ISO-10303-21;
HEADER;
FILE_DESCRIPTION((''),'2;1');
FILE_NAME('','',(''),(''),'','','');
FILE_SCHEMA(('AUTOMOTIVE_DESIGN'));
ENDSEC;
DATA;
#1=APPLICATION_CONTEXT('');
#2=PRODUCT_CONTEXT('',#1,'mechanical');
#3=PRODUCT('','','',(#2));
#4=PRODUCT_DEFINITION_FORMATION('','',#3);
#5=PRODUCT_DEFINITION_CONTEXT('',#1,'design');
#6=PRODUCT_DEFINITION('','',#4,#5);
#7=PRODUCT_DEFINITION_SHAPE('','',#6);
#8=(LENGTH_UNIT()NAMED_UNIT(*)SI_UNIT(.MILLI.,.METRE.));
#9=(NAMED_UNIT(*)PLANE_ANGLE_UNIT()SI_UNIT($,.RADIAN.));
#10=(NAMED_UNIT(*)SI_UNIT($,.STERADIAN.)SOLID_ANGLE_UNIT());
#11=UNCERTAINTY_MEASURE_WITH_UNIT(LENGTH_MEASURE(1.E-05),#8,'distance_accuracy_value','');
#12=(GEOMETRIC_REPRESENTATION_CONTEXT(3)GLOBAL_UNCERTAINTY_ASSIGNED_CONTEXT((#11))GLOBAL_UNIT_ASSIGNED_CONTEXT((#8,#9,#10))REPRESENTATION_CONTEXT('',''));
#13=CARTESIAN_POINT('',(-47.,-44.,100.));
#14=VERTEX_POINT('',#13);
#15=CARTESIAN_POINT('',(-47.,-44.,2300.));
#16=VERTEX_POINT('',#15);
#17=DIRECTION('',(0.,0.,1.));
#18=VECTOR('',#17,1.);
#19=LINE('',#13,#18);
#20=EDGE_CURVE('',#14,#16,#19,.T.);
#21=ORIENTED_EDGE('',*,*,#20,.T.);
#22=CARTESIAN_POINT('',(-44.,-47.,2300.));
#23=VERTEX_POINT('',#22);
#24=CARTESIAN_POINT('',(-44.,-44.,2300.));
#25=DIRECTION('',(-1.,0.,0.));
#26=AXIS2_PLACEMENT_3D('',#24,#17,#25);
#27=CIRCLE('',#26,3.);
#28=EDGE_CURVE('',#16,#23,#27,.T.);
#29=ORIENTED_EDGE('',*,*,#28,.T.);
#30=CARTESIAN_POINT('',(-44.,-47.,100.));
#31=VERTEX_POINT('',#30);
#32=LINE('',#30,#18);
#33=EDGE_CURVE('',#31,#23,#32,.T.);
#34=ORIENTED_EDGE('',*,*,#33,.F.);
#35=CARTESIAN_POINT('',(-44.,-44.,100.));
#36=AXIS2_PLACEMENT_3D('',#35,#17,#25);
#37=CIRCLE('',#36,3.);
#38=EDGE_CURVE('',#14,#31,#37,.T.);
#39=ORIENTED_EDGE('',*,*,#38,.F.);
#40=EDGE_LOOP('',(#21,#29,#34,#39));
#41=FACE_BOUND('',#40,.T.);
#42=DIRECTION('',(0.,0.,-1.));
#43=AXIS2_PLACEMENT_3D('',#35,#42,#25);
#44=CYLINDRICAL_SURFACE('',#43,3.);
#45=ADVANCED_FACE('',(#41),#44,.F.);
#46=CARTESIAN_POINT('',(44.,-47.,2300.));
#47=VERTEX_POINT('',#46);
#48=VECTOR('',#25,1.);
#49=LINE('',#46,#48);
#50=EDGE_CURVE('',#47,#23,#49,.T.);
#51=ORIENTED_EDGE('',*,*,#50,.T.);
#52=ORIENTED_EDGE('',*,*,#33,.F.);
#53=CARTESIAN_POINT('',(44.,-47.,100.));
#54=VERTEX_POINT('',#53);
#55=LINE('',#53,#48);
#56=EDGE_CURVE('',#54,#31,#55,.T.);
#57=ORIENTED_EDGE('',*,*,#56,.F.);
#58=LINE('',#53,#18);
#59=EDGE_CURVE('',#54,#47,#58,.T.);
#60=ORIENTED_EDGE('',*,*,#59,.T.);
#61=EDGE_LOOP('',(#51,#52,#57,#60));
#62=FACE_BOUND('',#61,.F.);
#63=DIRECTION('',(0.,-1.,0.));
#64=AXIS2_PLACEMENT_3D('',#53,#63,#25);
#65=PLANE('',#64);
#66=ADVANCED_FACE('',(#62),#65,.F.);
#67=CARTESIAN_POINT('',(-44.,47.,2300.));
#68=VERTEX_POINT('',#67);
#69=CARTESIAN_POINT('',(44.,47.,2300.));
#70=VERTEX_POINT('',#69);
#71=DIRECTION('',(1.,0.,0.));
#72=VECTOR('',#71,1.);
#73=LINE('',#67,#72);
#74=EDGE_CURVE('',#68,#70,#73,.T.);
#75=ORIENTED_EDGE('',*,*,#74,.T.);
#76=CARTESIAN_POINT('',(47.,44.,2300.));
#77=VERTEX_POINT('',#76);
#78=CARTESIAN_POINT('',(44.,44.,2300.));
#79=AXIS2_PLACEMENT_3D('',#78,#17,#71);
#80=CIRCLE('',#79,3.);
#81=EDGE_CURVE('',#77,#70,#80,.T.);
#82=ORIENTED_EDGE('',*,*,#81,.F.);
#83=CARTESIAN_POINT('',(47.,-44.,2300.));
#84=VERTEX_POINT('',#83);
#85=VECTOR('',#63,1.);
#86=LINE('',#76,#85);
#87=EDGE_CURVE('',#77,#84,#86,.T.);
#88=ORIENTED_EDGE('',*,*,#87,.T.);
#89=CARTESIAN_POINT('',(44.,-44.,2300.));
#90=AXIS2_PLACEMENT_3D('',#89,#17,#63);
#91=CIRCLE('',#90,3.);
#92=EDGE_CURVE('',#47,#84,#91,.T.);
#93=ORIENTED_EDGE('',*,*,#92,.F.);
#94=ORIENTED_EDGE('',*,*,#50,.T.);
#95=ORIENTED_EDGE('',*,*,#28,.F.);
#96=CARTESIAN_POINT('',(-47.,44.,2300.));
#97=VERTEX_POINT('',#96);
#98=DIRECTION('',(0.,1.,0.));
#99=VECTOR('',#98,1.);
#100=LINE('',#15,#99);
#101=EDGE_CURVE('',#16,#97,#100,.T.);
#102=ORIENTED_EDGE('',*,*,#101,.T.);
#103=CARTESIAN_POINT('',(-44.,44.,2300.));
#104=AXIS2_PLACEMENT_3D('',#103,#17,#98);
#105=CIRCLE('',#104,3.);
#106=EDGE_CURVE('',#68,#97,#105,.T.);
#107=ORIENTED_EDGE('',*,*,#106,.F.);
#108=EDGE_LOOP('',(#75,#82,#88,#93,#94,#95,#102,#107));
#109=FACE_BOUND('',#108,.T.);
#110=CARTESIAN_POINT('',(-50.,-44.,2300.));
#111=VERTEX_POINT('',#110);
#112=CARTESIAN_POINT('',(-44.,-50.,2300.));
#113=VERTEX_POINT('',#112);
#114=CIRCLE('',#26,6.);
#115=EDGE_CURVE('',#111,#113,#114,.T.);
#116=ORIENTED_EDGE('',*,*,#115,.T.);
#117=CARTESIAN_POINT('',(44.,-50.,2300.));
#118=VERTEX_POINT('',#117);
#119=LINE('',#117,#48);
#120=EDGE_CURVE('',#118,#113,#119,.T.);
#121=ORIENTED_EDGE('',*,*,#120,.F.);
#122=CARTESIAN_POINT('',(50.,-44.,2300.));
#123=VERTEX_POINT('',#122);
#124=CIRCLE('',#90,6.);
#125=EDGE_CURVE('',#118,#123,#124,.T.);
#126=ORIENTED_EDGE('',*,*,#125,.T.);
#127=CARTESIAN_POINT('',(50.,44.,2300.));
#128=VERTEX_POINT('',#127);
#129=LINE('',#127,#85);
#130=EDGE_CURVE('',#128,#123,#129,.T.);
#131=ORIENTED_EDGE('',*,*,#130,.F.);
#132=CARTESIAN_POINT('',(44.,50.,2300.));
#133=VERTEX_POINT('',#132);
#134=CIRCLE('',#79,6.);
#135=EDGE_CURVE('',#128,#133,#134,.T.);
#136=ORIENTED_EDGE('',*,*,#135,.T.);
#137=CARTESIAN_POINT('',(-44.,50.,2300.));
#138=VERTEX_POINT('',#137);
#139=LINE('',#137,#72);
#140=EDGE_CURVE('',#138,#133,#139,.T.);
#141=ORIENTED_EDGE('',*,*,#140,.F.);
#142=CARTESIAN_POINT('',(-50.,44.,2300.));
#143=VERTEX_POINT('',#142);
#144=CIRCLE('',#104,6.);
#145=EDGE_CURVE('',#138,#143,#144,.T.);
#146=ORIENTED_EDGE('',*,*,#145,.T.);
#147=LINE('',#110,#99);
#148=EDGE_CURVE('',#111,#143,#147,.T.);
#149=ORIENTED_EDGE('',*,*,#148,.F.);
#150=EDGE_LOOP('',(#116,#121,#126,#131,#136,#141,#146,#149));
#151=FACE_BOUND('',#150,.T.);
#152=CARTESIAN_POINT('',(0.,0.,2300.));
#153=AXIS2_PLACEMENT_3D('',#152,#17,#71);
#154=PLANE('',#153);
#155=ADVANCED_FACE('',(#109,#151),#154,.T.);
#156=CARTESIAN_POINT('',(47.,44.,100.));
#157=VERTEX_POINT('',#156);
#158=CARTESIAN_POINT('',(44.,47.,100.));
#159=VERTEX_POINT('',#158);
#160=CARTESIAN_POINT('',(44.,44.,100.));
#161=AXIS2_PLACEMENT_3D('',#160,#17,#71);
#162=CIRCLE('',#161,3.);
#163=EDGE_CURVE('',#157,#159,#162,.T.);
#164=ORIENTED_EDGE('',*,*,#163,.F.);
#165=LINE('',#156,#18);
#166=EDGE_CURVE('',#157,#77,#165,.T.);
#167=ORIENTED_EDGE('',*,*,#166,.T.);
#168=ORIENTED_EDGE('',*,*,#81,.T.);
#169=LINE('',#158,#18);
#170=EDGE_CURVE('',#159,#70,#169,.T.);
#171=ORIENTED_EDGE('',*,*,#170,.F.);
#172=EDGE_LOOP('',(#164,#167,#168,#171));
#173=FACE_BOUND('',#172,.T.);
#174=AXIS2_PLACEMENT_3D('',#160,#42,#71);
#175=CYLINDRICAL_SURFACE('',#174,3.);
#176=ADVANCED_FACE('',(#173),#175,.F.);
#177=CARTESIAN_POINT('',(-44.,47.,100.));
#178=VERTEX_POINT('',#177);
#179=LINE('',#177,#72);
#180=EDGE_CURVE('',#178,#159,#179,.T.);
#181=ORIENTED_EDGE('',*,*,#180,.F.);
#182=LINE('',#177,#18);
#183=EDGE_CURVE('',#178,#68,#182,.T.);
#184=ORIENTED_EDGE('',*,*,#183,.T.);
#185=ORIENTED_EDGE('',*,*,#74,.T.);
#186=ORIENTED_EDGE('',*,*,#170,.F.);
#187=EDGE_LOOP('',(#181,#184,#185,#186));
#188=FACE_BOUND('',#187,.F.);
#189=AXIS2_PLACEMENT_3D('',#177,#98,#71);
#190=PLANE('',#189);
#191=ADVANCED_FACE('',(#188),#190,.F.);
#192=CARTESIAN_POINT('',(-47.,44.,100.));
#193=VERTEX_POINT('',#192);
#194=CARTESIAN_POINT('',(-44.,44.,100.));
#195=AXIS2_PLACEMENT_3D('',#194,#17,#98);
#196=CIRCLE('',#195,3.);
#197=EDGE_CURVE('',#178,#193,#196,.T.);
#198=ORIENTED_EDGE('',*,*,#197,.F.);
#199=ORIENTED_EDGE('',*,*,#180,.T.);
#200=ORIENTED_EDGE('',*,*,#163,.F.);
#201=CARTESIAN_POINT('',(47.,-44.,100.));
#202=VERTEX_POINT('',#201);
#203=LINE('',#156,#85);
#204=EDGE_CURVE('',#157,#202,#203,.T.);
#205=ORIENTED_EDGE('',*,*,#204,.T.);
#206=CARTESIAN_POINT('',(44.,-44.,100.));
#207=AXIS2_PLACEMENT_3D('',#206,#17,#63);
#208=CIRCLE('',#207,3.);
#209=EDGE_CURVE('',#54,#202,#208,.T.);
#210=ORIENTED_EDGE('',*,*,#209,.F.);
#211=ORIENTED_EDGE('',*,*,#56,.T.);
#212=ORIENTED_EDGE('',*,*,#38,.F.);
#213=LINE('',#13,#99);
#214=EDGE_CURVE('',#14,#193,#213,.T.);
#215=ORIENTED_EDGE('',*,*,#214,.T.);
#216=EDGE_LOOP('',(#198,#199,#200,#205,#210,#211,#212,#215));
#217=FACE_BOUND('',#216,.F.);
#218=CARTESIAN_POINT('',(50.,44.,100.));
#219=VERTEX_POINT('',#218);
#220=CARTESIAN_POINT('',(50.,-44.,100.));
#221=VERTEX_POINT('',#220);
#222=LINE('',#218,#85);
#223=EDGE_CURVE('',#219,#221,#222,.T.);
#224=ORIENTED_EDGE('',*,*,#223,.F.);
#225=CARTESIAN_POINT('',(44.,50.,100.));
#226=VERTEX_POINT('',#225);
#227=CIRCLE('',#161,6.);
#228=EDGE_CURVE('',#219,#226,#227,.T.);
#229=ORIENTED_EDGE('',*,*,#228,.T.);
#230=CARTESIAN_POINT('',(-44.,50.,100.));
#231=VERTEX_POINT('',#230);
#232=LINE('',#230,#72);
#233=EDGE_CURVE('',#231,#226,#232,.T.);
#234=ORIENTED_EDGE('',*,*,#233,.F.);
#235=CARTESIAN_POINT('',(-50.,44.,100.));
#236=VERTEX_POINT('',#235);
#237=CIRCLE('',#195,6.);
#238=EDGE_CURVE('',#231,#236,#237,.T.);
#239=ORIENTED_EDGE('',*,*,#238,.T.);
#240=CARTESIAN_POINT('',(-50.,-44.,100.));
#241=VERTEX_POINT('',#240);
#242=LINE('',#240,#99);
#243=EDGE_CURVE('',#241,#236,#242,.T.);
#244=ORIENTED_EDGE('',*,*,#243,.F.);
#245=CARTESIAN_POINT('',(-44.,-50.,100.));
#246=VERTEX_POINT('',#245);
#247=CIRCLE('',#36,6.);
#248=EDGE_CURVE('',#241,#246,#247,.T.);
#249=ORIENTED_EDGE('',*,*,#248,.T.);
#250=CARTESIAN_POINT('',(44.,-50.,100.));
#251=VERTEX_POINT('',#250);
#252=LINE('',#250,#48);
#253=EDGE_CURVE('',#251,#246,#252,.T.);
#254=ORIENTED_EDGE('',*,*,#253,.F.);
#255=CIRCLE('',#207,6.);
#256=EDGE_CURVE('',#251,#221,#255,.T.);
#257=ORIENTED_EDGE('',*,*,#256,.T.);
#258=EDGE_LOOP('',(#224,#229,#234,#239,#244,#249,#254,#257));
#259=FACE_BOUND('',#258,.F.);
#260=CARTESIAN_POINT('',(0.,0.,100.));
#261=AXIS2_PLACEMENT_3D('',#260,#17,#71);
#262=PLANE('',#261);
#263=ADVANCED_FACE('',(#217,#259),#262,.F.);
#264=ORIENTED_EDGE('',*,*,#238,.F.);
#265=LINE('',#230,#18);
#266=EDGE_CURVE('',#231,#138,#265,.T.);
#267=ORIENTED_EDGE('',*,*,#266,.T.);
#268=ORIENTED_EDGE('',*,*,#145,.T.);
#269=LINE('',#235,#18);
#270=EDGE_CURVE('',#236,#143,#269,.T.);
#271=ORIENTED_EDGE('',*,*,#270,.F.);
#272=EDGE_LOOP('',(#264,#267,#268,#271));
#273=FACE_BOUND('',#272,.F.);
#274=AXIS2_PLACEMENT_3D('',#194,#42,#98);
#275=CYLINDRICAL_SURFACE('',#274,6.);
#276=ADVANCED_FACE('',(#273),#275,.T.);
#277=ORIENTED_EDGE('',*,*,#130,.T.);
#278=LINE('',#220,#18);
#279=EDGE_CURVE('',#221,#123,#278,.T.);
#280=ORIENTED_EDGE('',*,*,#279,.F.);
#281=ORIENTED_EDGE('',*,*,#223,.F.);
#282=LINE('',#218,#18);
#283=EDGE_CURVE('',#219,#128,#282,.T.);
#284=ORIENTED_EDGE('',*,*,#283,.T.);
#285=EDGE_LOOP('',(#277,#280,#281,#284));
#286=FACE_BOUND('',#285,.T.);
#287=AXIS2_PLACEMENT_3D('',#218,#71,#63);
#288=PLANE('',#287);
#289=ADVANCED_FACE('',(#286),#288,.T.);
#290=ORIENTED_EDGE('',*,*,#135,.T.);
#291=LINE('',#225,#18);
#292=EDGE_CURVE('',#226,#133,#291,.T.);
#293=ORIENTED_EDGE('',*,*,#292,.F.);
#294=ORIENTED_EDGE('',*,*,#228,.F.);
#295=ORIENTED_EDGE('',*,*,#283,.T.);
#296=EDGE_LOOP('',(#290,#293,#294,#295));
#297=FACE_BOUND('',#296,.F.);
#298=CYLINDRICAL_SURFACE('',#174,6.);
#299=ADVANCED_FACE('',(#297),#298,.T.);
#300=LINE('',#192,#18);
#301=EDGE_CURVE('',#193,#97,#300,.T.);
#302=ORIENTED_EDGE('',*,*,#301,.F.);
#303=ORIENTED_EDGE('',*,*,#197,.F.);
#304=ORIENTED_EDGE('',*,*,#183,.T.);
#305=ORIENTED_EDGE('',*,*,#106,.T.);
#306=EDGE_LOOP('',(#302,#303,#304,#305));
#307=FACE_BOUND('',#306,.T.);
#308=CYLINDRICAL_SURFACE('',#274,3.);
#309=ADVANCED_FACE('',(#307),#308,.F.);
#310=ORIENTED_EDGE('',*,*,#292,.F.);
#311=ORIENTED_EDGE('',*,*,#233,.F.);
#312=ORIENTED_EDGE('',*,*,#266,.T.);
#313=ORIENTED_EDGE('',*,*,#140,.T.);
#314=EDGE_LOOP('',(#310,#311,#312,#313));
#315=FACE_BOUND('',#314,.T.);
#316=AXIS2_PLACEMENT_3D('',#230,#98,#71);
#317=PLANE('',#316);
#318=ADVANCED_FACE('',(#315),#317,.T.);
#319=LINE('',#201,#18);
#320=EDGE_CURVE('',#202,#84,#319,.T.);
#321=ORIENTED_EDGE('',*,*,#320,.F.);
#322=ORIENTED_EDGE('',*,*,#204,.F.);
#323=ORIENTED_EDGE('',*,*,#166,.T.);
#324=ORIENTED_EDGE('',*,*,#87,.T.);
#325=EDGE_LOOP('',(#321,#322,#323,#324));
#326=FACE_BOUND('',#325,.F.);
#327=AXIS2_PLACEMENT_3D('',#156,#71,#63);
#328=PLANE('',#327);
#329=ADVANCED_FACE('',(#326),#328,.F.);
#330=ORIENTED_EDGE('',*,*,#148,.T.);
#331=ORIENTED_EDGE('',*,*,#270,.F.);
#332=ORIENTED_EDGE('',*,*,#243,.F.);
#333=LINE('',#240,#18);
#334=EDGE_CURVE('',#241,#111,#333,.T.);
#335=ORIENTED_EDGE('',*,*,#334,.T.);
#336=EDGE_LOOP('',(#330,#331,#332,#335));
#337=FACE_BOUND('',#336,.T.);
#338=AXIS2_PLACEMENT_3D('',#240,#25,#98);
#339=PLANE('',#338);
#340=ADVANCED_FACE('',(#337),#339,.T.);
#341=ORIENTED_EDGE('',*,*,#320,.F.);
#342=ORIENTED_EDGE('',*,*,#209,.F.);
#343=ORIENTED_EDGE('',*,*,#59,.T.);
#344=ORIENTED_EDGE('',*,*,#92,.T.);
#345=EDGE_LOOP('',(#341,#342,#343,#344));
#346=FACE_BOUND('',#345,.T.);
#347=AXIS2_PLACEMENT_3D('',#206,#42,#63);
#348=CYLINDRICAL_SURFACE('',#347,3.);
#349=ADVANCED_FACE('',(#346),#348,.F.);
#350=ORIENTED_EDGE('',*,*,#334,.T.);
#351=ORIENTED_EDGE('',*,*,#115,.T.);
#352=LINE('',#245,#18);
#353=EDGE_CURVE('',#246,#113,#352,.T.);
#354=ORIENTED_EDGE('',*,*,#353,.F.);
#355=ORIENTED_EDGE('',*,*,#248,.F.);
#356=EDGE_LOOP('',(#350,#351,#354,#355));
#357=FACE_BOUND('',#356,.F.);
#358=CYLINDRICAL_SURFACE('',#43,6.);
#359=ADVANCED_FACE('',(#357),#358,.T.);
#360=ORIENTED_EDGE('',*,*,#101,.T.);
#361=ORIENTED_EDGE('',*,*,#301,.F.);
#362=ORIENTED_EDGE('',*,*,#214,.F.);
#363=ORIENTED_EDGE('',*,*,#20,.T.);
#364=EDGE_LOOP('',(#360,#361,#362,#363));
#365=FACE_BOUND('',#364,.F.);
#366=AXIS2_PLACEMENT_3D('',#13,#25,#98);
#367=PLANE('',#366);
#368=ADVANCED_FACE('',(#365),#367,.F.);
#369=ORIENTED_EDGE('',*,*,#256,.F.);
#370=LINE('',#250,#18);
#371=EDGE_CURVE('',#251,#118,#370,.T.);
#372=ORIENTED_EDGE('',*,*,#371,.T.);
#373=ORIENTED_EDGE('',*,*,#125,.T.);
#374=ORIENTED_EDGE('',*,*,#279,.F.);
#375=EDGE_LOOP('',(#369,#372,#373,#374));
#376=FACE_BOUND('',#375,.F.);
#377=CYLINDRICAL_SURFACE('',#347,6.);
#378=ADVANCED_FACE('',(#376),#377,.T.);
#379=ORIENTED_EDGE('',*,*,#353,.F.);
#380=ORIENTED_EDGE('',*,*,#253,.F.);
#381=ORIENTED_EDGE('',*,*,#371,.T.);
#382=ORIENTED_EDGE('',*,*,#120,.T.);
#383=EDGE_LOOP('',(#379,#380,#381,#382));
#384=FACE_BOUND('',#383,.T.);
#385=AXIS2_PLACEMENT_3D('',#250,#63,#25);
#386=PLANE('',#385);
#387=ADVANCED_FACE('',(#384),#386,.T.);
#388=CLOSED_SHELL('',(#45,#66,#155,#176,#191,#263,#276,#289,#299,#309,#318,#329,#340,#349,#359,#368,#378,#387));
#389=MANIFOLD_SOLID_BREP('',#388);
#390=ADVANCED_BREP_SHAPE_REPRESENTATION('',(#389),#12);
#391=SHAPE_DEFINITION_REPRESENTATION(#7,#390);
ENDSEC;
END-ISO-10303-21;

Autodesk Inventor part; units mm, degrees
ref_plane "YZ Plane" through (0, 0, 0) normal (1, 0, 0) x (0, 1, 0)
ref_plane "Start plane" through (0, 0, 100) normal (0, 0, 1) x (1, 0, 0)
ref_plane "End plane" through (0, 0, 2300) normal (0, 0, 1) x (1, 0, 0)
sketch "Sketch" plane through (0, 0, 0) normal (0, 0, 1) x (1, 0, 0)
  line L0 (-50, -44) -> (-50, 44)
  line L1 (-44, 50) -> (44, 50)
  line L2 (50, 44) -> (50, -44)
  line L3 (44, -50) -> (-44, -50)
  arc A0 (-50, -44) -> (-44, -50) centre (-44, -44) ccw
  arc A1 (50, 44) -> (44, 50) centre (44, 44) ccw
  arc A2 (-44, 50) -> (-50, 44) centre (-44, 44) ccw
  arc A3 (44, -50) -> (50, -44) centre (44, -44) ccw
  arc A4 (-44, 47) -> (-47, 44) centre (-44, 44) ccw
  line L4 (-44, 47) -> (44, 47)
  arc A5 (47, 44) -> (44, 47) centre (44, 44) ccw
  line L5 (47, 44) -> (47, -44)
  arc A6 (44, -47) -> (47, -44) centre (44, -44) ccw
  line L6 (44, -47) -> (-44, -47)
  arc A7 (-47, -44) -> (-44, -47) centre (-44, -44) ccw
  line L7 (-47, -44) -> (-47, 44)
  line L8 (0, 72.3196) -> (0, -72.3196) construction
  line L9 (-72.3196, 0) -> (72.3196, 0) construction
  dimension "d7" = 6
  dimension "d9" = 100
  dimension "d11" = 100
  dimension "d12" = 3
  dimension "d15" = 50
  dimension "d16" = 50
extrude "Body" add sketch "Sketch" along normal up to surface (2200 mm away) from surface at 100
sketch "Sketch3" plane through (0, 0, 0) normal (0, 0, 1) x (1, 0, 0)
  line L0 (0, 0) -> (10, 0)
ref_plane "Work Plane3" through (0, 0, 0) normal (0, -1, 0) x (1, 0, 0)
sketch "Sketch4" plane through (0, 0, 0) normal (0, -1, 0) x (1, 0, 0)
  line L0 (-2, 100) -> (12, 100) projected
  line L1 (-2, 2300) -> (12, 2300) projected
  dimension "d18" = 2200
equation "\"d7\" = G_IR"
equation "\"d9\" = G_W"
equation "\"d11\" = G_H"
equation "\"d12\" = G_T"
equation "\"d15\" = 0.5 * d9"
equation "\"d16\" = 0.5 * d11"
equation "\"d3\" = G_L"
equation "\"G_W\" = 100"
equation "\"G_H\" = 100"
equation "\"G_T\" = 3"
equation "\"G_IR\" = 6"
equation "\"G_L\" = d18"
properties part number "ISO 10799-2 - 100x100x3 - 2200" material "Steel, Mild"
